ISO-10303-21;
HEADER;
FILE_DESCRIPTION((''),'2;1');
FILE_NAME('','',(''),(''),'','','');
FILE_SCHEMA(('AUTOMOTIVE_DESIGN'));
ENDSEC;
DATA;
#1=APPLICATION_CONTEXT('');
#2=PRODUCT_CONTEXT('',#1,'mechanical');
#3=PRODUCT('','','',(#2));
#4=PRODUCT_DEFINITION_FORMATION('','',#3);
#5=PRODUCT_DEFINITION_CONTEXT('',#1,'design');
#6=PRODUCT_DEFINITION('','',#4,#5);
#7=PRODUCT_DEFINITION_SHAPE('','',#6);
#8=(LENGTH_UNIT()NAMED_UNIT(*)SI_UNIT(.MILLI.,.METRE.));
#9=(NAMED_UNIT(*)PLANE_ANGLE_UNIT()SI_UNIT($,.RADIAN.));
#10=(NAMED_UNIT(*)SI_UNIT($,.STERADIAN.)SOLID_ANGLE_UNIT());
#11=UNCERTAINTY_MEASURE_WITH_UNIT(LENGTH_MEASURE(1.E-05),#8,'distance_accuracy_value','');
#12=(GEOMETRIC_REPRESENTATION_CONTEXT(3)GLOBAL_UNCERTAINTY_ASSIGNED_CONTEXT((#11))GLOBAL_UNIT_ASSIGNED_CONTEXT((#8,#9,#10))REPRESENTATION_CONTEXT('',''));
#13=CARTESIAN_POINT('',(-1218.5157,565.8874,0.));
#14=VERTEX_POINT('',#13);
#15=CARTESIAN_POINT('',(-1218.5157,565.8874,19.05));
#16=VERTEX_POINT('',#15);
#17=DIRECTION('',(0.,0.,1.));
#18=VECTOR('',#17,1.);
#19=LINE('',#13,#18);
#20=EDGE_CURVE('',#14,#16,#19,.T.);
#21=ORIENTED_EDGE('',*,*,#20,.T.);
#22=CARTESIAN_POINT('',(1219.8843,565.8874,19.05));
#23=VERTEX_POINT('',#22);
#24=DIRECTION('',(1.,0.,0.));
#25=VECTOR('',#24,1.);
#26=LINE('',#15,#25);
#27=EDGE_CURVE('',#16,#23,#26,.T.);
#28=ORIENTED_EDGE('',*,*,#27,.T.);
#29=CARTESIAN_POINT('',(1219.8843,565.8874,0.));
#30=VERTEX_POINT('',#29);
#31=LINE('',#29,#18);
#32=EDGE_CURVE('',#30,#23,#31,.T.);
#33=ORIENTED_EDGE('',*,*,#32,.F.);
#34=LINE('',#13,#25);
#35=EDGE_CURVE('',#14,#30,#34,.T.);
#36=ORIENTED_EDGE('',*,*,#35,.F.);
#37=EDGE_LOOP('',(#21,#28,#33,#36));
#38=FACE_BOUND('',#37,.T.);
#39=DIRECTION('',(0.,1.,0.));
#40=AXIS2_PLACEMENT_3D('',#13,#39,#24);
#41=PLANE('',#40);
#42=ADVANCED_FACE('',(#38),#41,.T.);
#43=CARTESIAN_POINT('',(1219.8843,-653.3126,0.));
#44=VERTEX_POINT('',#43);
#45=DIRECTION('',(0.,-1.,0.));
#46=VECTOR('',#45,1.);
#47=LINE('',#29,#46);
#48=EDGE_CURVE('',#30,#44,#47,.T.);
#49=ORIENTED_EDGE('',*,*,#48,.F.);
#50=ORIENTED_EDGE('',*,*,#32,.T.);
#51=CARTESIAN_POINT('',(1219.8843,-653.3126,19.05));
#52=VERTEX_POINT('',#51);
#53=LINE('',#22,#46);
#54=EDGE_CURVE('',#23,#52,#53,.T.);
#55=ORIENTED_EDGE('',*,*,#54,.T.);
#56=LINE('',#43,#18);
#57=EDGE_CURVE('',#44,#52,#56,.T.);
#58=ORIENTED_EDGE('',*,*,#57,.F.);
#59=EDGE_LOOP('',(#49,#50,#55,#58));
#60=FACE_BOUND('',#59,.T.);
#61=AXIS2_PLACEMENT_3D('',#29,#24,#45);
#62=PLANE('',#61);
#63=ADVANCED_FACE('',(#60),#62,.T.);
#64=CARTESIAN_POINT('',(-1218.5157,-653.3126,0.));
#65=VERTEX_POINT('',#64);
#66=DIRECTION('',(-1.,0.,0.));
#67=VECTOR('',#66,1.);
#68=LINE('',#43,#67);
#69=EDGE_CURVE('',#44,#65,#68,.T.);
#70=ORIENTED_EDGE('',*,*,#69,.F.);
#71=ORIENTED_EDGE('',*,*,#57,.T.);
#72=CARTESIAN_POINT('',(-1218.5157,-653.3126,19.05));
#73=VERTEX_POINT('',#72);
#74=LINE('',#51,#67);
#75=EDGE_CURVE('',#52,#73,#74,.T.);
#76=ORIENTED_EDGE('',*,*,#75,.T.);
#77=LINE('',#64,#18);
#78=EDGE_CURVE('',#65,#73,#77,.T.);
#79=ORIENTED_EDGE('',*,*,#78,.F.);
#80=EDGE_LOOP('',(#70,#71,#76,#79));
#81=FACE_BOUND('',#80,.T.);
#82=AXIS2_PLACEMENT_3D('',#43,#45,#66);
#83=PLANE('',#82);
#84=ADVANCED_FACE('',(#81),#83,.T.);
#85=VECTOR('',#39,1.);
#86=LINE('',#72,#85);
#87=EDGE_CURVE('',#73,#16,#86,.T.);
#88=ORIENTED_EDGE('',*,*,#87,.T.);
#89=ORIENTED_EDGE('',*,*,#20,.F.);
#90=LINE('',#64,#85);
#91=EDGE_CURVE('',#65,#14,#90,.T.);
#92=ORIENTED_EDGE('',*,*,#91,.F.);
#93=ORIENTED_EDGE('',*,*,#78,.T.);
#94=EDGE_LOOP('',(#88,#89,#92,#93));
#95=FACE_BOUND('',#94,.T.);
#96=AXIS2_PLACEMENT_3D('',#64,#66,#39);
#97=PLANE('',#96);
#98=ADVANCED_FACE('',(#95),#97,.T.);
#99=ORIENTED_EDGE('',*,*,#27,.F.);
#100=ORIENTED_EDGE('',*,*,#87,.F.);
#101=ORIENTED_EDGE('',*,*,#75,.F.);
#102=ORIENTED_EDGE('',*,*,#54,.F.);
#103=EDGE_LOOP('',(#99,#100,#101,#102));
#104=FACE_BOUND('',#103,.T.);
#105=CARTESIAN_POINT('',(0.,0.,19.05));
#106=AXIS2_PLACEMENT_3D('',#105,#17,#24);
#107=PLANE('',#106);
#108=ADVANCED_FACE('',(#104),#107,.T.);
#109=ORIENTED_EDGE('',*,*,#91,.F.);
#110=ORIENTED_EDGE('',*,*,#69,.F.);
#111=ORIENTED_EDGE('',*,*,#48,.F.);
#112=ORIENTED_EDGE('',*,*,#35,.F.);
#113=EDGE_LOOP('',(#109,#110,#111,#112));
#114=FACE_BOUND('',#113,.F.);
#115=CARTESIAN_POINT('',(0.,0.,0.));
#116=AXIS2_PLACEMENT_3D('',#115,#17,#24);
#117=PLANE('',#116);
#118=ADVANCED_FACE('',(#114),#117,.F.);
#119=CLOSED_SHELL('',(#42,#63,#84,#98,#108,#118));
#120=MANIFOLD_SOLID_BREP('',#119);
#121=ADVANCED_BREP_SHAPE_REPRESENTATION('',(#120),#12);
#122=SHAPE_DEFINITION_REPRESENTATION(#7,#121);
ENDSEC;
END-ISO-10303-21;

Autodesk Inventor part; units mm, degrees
ref_plane "YZ Plane" through (0, 0, 0) normal (1, 0, 0) x (0, 1, 0)
ref_plane "XZ Plane" through (0, 0, 0) normal (0, 1, 0) x (-1, 0, 0)
ref_plane "XY Plane" through (0, 0, 0) normal (0, 0, 1) x (1, 0, 0)
sketch "Sketch1" plane through (0, 0, 0) normal (0, 0, 1) x (1, 0, 0)
  line L0 (-1218.5157, 565.8874) -> (1219.8843, 565.8874)
  line L1 (1219.8843, 565.8874) -> (1219.8843, -653.3126)
  line L2 (1219.8843, -653.3126) -> (-1218.5157, -653.3126)
  line L3 (-1218.5157, -653.3126) -> (-1218.5157, 565.8874)
  point P0 (0, 0)
  dimension "d2" = 1219.2
  dimension "d3" = 2438.4
extrude "Extrusion1" add sketch "Sketch1" along normal blind 19.05
properties part number "spoil board"
